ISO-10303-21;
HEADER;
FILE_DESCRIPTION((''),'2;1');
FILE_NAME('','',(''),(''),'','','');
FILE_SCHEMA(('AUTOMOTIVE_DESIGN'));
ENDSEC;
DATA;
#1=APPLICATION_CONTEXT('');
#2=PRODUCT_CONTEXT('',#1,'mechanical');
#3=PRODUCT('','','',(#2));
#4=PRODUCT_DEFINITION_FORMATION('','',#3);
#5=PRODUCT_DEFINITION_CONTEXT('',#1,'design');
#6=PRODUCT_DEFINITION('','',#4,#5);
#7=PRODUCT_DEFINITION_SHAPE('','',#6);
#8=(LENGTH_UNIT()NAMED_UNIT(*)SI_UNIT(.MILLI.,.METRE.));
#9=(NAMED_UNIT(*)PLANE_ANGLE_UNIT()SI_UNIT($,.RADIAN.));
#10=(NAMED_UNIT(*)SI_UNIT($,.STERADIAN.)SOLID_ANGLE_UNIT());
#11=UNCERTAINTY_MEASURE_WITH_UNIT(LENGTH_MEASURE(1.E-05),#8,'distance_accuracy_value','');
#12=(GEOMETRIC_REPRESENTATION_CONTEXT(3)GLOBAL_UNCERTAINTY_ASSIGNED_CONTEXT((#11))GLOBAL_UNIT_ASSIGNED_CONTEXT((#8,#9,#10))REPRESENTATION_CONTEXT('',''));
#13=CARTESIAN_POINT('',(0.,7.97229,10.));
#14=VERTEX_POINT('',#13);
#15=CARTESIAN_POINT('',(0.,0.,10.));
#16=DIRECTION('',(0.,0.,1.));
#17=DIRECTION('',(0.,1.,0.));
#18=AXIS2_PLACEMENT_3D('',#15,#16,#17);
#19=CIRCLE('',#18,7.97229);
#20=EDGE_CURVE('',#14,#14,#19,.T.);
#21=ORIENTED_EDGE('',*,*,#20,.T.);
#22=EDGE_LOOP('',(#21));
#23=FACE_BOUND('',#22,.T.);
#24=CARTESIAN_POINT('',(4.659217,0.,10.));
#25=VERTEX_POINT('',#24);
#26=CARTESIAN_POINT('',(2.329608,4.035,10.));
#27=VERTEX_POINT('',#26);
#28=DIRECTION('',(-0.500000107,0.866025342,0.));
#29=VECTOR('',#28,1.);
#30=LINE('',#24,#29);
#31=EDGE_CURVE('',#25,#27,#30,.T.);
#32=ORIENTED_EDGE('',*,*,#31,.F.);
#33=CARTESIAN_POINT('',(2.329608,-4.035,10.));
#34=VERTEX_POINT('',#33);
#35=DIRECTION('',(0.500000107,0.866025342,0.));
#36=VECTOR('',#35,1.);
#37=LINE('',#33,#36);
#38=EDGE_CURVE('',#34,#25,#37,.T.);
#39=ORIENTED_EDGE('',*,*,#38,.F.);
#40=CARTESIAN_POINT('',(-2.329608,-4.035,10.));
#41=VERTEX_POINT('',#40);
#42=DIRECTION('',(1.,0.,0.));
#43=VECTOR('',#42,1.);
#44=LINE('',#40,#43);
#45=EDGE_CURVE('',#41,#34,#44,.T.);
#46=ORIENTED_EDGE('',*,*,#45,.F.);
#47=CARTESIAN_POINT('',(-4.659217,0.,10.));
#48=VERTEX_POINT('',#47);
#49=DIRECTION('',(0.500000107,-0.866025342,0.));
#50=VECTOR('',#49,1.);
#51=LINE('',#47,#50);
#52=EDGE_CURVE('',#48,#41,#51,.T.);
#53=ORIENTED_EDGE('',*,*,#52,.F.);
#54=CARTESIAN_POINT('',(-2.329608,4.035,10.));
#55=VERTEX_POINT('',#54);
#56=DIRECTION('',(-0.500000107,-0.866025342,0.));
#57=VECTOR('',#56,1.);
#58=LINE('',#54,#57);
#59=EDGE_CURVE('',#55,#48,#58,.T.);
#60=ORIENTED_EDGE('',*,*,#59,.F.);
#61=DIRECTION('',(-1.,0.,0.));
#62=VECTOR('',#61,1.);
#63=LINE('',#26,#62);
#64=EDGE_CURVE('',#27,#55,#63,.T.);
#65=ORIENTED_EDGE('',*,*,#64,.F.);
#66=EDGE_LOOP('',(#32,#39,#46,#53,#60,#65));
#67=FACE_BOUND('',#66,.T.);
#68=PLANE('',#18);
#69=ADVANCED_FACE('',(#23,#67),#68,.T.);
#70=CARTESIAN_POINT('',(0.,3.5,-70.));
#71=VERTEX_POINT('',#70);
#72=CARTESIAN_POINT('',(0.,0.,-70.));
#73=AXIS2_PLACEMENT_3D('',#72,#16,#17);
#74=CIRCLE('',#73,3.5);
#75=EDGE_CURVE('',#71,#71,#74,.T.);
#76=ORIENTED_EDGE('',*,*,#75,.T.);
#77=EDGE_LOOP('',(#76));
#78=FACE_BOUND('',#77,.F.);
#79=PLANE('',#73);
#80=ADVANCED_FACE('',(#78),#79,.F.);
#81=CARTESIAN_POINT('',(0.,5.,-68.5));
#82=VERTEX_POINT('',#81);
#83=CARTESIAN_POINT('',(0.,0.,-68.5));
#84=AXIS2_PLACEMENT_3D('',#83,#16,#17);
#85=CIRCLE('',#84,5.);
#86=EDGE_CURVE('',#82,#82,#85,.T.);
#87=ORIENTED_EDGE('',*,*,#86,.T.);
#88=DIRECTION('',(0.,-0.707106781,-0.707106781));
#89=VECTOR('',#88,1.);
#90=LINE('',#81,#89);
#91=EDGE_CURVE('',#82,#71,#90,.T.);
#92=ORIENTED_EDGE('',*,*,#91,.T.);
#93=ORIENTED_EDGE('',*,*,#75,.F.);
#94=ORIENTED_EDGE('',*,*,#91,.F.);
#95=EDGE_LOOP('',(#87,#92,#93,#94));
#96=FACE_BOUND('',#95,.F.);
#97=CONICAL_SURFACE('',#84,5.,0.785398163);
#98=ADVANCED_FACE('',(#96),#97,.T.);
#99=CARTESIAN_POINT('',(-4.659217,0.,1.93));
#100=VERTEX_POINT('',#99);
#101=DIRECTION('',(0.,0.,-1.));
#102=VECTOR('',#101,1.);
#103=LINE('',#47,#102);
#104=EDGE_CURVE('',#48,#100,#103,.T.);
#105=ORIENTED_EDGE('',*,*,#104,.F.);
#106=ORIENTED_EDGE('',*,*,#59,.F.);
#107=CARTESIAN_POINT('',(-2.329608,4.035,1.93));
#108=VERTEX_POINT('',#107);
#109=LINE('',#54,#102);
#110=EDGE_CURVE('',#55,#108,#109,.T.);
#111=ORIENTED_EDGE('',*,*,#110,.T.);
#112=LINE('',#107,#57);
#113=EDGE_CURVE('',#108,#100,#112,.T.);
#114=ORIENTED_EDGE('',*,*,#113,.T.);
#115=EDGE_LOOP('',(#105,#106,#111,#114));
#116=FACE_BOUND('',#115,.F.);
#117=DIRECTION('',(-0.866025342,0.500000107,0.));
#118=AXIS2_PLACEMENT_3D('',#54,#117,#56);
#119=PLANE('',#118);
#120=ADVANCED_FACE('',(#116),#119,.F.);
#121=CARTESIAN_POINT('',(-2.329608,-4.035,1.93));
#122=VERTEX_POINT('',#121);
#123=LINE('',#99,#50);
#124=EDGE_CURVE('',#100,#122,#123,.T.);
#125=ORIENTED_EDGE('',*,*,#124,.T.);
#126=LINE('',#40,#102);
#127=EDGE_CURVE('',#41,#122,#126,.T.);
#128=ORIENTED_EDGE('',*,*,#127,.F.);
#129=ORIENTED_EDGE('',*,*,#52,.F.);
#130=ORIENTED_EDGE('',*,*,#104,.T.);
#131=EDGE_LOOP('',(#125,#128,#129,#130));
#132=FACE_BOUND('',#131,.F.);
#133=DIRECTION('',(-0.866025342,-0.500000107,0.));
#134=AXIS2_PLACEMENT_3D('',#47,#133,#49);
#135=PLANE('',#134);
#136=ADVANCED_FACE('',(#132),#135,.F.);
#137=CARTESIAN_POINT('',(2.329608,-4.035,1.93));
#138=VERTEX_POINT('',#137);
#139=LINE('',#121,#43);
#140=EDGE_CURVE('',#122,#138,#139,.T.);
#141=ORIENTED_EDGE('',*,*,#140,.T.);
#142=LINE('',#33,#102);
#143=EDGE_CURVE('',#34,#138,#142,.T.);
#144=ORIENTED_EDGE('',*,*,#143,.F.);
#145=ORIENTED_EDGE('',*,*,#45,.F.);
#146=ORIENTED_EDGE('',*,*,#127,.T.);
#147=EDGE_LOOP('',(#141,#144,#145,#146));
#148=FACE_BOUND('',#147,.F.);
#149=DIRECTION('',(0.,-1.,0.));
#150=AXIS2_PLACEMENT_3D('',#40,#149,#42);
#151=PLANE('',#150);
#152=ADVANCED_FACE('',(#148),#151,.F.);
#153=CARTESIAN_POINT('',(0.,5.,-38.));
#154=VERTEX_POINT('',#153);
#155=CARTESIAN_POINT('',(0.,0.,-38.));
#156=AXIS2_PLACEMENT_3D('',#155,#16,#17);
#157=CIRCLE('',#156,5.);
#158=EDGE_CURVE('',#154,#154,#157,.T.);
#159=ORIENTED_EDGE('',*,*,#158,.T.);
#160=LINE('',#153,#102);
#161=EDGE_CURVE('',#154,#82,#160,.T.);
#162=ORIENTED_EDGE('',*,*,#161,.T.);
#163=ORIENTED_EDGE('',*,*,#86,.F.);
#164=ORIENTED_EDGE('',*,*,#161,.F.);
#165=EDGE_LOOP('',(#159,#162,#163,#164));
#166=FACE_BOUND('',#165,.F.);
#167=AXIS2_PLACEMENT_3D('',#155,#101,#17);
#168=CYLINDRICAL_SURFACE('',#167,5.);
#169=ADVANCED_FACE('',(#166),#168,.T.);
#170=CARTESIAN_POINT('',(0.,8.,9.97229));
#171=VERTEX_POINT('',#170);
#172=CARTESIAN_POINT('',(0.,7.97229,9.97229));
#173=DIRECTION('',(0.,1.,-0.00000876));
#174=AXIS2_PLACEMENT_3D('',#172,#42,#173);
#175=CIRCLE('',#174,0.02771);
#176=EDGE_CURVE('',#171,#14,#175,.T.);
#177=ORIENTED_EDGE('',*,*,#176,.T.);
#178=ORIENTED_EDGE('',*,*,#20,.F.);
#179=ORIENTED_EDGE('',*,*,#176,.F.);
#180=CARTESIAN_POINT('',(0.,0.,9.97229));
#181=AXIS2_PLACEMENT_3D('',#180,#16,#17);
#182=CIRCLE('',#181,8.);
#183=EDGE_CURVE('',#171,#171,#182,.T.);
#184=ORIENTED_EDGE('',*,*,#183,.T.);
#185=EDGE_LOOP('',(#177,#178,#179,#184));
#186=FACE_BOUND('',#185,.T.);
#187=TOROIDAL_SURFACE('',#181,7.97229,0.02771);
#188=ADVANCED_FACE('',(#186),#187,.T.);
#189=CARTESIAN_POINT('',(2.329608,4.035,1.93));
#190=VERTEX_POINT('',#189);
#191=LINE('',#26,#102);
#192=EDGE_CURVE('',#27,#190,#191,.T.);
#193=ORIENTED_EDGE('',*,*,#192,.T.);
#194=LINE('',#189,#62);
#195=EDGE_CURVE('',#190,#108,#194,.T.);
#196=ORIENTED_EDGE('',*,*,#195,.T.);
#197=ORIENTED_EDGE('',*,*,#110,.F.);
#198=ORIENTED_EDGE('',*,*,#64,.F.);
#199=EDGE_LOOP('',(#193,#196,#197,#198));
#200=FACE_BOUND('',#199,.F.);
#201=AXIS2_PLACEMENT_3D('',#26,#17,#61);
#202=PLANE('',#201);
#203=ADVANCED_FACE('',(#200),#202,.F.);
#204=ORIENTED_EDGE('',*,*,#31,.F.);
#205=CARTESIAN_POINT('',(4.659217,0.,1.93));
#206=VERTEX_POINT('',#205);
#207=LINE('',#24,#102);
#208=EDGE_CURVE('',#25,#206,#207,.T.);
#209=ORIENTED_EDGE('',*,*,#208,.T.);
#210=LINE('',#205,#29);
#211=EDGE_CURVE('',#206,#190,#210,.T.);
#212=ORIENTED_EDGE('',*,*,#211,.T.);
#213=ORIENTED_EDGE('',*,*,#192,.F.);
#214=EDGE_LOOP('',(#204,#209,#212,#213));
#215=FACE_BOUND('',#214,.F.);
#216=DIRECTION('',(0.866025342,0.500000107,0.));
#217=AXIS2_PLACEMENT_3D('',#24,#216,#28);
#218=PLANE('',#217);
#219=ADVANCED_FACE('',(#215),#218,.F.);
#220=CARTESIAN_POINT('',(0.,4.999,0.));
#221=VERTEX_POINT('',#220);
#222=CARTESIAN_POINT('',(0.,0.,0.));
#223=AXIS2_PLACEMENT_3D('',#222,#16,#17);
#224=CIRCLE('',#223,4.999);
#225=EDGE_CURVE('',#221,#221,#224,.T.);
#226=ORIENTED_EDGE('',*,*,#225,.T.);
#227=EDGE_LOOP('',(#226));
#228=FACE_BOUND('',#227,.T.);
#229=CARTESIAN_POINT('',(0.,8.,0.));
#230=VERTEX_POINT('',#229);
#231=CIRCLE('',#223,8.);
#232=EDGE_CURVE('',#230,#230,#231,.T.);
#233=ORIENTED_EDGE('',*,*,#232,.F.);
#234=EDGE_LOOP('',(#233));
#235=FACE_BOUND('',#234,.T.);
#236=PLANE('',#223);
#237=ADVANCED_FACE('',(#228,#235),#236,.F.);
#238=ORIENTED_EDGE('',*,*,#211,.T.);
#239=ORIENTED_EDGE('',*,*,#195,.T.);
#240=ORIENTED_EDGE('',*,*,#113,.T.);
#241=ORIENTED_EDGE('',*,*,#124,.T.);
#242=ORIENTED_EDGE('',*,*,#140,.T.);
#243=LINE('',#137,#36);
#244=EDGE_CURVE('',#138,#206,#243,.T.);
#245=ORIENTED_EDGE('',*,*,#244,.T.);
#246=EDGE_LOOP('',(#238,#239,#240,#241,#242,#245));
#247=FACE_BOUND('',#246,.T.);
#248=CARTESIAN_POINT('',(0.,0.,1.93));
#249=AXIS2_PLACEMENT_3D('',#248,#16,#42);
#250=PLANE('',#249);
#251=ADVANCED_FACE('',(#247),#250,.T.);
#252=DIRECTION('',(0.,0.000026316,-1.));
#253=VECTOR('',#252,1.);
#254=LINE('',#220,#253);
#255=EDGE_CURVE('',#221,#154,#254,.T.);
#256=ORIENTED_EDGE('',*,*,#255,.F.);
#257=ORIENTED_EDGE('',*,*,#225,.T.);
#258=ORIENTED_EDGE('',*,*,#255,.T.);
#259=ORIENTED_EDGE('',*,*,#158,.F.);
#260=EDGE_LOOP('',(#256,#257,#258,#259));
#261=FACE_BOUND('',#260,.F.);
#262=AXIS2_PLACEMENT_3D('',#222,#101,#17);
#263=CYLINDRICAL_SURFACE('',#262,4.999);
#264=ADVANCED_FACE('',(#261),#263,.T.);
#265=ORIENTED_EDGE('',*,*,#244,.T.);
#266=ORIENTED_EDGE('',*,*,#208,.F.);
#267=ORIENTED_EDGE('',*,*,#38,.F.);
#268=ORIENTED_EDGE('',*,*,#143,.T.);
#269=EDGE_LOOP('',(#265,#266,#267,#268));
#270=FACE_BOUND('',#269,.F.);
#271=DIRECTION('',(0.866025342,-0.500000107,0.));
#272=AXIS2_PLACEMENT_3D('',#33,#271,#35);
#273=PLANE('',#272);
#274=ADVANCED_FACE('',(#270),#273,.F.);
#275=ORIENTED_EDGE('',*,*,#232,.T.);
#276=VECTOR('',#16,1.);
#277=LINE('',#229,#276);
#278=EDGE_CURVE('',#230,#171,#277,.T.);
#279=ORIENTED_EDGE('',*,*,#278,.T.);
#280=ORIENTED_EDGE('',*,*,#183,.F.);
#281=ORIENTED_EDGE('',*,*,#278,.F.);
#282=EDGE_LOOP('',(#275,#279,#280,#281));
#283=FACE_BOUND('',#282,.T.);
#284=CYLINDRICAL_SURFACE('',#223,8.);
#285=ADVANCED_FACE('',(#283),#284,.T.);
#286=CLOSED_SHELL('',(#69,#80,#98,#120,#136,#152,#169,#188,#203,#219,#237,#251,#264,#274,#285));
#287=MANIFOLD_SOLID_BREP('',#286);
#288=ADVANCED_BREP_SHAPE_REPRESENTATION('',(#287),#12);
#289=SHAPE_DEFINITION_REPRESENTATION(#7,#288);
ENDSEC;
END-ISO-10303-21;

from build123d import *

# Parameters (mm, degrees)
POCKET_DEPTH = 8.07


with BuildPart() as part:
    # Sketch → Revolve (revolve)
    with BuildSketch(Plane.YZ):
        with BuildLine():
            Line((4.999, 0), (8, 0))
            Line((8, 0), (8, 9.97229))
            ThreePointArc((8, 9.97229), (7.991884, 9.991884), (7.97229, 10))
            Line((7.97229, 10), (0, 10))
            Line((0, -70), (0, 10))
            Line((3.5, -70), (0, -70))
            Line((5, -68.5), (3.5, -70))
            Line((5, -38), (5, -68.5))
            Line((4.999, 0), (5, -38))
        make_face()
    revolve(axis=Axis((0, 0, 0), (0, 0, 1)))

    # Sketch001 → Pocket (cut)
    with BuildSketch(Plane.XY.offset(10)):
        Polygon((4.659217, 0), (2.329608, 4.035), (-2.329608, 4.035), (-4.659217, 0), (-2.329608, -4.035), (2.329608, -4.035), align=None)
    extrude(amount=-POCKET_DEPTH, mode=Mode.SUBTRACT)


solid = part.part
